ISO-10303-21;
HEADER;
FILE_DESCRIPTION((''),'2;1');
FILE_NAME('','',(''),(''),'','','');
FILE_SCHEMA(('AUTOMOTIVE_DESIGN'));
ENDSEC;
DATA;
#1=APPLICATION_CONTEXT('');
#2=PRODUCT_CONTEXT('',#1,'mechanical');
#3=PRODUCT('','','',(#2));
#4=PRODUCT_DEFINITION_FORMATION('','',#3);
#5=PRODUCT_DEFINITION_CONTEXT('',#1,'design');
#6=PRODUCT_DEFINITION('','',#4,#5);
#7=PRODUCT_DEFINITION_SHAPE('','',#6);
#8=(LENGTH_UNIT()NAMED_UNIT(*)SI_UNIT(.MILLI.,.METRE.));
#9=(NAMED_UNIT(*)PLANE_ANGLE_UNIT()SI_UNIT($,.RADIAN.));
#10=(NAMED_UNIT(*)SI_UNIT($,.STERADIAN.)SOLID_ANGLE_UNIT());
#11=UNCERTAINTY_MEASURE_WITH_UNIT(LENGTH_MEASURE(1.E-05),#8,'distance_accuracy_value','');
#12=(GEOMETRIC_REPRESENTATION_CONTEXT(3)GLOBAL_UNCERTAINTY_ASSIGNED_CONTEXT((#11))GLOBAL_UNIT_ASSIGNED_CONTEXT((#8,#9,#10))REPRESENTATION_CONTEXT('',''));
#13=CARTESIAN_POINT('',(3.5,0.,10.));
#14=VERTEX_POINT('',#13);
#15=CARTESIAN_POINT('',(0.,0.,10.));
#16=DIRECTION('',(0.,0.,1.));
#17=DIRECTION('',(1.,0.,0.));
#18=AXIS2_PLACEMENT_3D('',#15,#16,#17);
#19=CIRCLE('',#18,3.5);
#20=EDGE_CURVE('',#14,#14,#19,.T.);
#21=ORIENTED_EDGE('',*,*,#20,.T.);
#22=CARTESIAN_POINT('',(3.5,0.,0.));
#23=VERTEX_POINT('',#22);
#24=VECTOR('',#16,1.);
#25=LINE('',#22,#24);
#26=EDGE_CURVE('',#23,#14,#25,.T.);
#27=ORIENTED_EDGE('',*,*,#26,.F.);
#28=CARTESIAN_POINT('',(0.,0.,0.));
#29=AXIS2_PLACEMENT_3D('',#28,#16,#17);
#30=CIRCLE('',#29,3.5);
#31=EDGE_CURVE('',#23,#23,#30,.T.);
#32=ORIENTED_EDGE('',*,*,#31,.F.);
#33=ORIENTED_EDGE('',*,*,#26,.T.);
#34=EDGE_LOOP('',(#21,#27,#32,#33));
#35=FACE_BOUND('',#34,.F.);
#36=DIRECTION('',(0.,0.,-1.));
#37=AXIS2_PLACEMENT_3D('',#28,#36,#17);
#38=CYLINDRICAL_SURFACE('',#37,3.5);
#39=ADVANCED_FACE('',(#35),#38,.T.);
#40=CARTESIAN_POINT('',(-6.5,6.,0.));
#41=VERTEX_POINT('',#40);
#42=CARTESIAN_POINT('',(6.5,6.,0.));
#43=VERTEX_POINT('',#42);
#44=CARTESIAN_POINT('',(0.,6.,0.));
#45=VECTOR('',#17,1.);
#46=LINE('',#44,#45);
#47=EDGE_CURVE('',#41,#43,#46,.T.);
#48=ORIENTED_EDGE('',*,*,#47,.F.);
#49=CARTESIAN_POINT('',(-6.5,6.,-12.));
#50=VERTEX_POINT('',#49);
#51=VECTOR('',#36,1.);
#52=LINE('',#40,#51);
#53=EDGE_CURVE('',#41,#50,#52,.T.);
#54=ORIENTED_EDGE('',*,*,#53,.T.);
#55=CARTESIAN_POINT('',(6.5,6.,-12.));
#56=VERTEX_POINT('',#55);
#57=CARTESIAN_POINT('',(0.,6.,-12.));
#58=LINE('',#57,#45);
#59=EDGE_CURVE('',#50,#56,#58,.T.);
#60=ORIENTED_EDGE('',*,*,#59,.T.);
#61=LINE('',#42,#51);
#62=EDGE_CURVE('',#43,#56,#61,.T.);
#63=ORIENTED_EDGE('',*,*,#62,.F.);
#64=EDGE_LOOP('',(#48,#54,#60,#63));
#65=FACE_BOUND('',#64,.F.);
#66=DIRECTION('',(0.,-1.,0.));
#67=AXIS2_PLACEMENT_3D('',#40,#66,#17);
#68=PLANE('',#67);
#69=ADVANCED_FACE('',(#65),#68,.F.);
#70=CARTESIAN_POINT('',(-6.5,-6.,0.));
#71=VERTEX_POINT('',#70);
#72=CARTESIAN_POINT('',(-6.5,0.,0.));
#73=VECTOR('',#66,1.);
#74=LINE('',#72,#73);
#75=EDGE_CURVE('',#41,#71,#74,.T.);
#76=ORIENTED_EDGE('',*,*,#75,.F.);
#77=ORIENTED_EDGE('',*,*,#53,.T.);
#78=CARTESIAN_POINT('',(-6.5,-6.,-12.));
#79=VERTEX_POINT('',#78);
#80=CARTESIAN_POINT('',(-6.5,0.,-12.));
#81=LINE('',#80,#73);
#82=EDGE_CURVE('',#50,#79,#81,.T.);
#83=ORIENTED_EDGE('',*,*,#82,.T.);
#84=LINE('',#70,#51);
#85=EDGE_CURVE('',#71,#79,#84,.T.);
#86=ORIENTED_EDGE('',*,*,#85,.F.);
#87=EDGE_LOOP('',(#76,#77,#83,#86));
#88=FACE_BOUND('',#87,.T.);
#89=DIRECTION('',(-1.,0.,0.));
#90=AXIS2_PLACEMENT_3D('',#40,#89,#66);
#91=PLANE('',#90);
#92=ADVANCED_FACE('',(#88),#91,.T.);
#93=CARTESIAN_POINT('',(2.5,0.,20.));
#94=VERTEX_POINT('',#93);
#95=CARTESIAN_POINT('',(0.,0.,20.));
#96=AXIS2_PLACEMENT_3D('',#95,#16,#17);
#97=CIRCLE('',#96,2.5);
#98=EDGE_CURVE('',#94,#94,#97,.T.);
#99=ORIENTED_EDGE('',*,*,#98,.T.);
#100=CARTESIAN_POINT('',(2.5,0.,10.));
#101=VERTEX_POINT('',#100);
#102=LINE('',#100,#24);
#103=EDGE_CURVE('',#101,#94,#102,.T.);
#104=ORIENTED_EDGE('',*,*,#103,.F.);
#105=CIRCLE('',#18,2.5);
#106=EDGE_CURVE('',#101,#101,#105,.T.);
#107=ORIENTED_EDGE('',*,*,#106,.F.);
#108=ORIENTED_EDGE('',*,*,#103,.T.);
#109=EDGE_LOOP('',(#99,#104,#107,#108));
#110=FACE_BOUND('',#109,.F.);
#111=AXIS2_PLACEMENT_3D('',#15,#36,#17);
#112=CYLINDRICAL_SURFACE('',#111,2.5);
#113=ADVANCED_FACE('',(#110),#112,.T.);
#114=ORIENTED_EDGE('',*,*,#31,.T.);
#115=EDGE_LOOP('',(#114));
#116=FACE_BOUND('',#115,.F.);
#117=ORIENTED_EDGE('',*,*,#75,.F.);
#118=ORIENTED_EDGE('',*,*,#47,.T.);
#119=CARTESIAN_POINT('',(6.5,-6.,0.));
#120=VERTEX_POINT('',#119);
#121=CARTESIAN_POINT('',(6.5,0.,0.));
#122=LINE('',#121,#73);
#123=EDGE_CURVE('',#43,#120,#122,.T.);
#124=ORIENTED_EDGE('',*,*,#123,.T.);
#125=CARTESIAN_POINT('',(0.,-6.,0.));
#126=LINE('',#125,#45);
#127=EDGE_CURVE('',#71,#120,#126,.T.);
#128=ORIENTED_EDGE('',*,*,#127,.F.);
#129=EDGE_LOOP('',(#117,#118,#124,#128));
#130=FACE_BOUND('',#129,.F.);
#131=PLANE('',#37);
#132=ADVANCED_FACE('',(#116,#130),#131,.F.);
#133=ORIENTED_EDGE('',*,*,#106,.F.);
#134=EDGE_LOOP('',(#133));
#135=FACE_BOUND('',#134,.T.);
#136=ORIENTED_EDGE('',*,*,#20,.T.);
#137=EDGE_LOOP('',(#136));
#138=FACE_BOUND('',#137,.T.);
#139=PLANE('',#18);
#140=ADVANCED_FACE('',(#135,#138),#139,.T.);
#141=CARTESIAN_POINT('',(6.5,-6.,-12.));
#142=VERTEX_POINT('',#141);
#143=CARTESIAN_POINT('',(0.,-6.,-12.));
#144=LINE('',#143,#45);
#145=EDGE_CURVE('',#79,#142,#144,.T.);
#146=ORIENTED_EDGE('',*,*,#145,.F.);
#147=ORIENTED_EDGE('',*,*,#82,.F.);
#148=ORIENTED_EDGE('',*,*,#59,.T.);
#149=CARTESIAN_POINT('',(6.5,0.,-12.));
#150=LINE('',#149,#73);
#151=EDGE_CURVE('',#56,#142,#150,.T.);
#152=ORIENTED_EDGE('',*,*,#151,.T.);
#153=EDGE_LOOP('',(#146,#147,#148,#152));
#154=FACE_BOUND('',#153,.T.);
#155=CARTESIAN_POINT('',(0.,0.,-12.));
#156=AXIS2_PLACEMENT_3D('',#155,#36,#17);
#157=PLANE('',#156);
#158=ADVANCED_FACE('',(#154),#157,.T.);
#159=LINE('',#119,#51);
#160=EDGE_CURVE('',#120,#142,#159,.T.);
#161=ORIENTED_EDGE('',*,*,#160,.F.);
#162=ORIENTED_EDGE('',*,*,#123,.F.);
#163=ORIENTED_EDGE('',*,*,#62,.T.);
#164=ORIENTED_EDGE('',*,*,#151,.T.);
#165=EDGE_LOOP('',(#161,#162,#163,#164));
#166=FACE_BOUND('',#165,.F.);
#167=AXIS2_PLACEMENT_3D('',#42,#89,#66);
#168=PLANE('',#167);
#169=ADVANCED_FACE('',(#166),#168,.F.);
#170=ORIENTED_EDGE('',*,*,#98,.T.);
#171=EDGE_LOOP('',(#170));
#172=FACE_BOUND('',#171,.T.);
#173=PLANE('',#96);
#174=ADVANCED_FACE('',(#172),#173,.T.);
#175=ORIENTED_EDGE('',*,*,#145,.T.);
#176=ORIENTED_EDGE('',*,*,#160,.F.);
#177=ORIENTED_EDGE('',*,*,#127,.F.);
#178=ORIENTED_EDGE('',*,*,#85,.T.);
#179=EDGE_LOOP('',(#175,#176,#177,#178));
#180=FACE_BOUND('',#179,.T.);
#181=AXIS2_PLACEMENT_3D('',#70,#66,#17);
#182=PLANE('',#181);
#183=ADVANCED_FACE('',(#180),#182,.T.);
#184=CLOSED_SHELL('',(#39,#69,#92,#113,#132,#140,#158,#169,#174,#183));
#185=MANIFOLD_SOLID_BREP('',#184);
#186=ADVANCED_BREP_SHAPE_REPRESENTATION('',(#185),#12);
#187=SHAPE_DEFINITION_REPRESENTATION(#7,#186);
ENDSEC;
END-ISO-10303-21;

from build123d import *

# Parameters (mm, degrees)
SKETCH032_R  = 3.5
PAD032_DEPTH = 10
SKETCH033_R  = 2.5
PAD033_DEPTH = 10
SKETCH034_W  = 13
SKETCH034_H  = 12
PAD034_DEPTH = 12


with BuildPart() as part:
    # Sketch032 → Pad032 (new body)
    with BuildSketch(Plane.XY):
        Circle(SKETCH032_R)
    extrude(amount=PAD032_DEPTH)

    # Sketch033 (on Face3 of Pad032) → Pad033 (join)
    with BuildSketch(Plane.XY.offset(10)):
        Circle(SKETCH033_R)
    extrude(amount=PAD033_DEPTH)

    # Sketch034 (on Face2 of Pad033) → Pad034 (join)
    with BuildSketch(Plane(origin=(0, 0, 0), x_dir=(1, 0, 0), z_dir=(0, 0, -1))):
        Rectangle(SKETCH034_W, SKETCH034_H)
    extrude(amount=PAD034_DEPTH)


solid = part.part
